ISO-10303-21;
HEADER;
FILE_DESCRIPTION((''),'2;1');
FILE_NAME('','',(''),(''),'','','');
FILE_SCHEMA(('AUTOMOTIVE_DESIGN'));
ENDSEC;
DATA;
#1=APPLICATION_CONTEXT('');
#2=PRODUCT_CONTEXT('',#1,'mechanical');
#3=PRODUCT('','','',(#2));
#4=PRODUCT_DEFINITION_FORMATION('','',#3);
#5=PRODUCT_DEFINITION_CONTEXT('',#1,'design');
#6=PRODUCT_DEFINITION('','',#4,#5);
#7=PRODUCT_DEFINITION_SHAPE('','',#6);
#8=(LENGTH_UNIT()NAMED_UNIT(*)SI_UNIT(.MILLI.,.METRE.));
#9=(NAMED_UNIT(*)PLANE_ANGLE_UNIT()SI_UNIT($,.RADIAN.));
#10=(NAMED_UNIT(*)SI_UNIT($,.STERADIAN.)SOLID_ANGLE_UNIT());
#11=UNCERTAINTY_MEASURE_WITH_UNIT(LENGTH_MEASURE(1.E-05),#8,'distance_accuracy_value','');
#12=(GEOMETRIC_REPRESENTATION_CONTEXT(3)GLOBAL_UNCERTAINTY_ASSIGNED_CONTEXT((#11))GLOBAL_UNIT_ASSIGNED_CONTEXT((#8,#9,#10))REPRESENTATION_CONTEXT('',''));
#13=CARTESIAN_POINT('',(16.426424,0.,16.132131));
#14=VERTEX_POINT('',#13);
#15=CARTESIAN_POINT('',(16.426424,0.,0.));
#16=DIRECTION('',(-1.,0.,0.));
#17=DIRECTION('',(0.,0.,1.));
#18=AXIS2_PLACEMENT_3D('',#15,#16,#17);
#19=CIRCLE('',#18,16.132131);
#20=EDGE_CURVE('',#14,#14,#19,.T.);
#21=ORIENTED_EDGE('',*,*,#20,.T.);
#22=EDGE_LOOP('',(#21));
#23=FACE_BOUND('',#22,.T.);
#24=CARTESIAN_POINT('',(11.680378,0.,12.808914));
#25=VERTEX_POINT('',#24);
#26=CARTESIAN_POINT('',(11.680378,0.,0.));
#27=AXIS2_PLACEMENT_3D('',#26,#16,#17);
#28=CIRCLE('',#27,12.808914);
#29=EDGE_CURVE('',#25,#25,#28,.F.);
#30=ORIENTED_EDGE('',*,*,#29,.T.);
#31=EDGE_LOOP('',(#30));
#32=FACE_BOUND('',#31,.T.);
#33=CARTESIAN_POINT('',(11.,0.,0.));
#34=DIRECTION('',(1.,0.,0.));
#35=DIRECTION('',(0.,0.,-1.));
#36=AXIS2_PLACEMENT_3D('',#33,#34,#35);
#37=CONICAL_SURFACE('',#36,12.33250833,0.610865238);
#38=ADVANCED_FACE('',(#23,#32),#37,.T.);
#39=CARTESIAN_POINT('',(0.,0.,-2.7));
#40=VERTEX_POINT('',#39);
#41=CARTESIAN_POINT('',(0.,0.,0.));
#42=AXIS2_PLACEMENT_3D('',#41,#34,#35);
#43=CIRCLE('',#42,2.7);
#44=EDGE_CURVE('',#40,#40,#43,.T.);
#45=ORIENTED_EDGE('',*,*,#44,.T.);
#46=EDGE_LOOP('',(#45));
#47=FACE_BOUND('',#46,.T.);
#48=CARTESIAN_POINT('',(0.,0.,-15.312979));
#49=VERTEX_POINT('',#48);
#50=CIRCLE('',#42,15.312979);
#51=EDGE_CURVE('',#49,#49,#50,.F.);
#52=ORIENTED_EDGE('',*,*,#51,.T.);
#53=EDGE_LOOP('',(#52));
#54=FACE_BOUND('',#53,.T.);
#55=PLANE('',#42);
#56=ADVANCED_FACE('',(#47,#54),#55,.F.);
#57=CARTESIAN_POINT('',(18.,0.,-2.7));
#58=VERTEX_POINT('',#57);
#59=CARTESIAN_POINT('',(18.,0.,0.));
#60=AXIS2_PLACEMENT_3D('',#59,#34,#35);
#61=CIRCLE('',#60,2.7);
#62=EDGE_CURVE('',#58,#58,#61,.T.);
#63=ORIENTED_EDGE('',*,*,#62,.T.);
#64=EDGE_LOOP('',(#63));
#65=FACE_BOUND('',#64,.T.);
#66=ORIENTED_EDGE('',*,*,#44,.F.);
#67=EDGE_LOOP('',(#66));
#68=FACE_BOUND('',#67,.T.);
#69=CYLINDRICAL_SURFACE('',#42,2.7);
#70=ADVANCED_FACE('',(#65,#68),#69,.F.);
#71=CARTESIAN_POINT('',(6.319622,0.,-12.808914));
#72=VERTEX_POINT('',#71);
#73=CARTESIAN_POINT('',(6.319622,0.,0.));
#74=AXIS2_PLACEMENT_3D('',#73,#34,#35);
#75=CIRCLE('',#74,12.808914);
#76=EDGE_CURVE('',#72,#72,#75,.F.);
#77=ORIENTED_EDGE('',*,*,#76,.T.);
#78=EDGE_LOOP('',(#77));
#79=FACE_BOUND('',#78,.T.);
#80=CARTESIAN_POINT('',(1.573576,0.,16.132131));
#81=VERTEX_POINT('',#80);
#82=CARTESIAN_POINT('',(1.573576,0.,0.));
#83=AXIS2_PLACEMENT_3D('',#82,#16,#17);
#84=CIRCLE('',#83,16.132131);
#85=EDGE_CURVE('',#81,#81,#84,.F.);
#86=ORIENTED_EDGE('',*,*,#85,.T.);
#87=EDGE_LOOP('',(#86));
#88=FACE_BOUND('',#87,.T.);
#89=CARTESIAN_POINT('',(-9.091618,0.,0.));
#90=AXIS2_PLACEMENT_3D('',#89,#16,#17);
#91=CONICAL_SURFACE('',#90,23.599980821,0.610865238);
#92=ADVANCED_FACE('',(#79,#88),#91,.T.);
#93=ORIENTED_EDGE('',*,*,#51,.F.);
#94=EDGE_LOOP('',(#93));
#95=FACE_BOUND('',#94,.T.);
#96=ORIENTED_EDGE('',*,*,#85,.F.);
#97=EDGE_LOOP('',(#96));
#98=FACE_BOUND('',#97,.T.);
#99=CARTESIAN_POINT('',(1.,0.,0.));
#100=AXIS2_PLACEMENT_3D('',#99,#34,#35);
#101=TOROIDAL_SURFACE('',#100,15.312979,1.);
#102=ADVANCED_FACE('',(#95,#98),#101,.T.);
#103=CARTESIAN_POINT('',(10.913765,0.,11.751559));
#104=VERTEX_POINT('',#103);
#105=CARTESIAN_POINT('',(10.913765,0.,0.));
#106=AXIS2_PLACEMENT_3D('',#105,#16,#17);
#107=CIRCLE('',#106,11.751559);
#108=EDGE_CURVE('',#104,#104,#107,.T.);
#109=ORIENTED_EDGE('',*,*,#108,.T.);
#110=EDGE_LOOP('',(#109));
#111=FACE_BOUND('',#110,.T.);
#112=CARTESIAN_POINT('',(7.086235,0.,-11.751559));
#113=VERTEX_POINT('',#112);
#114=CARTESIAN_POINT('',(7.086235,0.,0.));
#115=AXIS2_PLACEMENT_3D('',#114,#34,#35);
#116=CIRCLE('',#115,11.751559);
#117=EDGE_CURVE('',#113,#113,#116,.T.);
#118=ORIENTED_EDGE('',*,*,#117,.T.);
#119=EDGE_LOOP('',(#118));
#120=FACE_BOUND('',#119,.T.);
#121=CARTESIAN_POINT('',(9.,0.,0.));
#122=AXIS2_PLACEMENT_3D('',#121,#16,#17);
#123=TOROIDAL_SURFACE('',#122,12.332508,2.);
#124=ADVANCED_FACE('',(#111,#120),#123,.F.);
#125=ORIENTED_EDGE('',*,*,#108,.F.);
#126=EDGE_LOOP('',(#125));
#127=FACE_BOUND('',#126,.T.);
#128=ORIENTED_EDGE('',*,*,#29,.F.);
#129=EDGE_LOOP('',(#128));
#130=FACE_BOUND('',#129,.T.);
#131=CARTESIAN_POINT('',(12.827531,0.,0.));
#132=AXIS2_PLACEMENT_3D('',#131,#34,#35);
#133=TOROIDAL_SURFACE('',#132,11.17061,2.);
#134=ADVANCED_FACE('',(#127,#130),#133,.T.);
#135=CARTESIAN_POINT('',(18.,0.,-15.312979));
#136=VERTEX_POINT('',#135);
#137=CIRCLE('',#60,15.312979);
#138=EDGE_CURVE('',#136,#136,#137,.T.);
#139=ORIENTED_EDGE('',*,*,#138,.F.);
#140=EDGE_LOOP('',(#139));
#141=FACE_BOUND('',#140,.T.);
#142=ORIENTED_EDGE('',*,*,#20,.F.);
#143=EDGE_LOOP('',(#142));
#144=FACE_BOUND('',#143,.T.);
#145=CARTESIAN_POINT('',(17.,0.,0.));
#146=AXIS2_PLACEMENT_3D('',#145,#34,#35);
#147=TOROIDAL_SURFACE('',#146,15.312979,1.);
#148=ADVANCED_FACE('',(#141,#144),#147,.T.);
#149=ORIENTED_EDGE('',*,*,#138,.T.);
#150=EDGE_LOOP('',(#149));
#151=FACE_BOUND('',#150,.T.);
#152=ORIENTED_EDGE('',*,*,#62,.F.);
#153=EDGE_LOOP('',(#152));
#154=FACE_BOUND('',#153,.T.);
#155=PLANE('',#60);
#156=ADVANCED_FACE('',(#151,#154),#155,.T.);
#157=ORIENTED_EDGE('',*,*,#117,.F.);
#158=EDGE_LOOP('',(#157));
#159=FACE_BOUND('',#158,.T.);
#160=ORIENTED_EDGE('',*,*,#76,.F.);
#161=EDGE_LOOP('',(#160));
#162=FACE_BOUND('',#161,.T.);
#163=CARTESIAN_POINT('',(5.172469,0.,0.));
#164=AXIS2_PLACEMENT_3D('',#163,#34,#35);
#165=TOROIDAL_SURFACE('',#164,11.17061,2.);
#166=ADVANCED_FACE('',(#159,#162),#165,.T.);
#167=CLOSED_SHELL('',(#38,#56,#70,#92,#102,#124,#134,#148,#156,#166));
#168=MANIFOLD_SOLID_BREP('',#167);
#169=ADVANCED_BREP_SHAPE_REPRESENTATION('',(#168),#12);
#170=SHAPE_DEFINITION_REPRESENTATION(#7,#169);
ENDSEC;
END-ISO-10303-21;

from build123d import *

# Parameters (mm, degrees)
SKETCH1_R           = 20
BOSS_EXTRUDE1_DEPTH = 18
SKETCH2_R           = 2.7
CUT_EXTRUDE1_DEPTH  = 18
FILLET1_R           = 1
FILLET2_R           = 2


with BuildPart() as part:
    # Sketch1 → Boss-Extrude1 (new body)
    with BuildSketch(Plane(origin=(0, 0, 0), x_dir=(0, 0, -1), z_dir=(1, 0, 0))):
        Circle(SKETCH1_R)
    extrude(amount=BOSS_EXTRUDE1_DEPTH)

    # Sketch2 → Cut-Extrude1 (cut)
    with BuildSketch(Plane(origin=(18, 0, 0), x_dir=(0, 0, -1), z_dir=(1, 0, 0))):
        Circle(SKETCH2_R)
    extrude(amount=-CUT_EXTRUDE1_DEPTH, mode=Mode.SUBTRACT)

    # Sketch3 → Cut-Revolve1 (revolve, cut)
    with BuildSketch(Plane.XY):
        with BuildLine():
            Line((11, 12.33250833), (27.091618379, 23.599980821))
            Line((27.091618379, 23.599980821), (-9.091618379, 23.599980821))
            Line((-9.091618379, 23.599980821), (7, 12.33250833))
            ThreePointArc((7, 12.33250833), (9, 10.33250833), (11, 12.33250833))
        make_face()
    revolve(axis=Axis((0, 0, 0), (1, 0, 0)), mode=Mode.SUBTRACT)

    # Fillet1
    fillet1_edges = [part.edges().sort_by_distance(p)[0] for p in [
        (18, -17.233961097, 0),
        (0, -17.233961097, 0),
    ]]
    fillet(fillet1_edges, radius=FILLET1_R)

    # Fillet2
    fillet2_edges = [part.edges().sort_by_distance(p)[0] for p in [
        (11, -12.33250833, 0),
        (7, -12.33250833, 0),
    ]]
    fillet(fillet2_edges, radius=FILLET2_R)


solid = part.part
